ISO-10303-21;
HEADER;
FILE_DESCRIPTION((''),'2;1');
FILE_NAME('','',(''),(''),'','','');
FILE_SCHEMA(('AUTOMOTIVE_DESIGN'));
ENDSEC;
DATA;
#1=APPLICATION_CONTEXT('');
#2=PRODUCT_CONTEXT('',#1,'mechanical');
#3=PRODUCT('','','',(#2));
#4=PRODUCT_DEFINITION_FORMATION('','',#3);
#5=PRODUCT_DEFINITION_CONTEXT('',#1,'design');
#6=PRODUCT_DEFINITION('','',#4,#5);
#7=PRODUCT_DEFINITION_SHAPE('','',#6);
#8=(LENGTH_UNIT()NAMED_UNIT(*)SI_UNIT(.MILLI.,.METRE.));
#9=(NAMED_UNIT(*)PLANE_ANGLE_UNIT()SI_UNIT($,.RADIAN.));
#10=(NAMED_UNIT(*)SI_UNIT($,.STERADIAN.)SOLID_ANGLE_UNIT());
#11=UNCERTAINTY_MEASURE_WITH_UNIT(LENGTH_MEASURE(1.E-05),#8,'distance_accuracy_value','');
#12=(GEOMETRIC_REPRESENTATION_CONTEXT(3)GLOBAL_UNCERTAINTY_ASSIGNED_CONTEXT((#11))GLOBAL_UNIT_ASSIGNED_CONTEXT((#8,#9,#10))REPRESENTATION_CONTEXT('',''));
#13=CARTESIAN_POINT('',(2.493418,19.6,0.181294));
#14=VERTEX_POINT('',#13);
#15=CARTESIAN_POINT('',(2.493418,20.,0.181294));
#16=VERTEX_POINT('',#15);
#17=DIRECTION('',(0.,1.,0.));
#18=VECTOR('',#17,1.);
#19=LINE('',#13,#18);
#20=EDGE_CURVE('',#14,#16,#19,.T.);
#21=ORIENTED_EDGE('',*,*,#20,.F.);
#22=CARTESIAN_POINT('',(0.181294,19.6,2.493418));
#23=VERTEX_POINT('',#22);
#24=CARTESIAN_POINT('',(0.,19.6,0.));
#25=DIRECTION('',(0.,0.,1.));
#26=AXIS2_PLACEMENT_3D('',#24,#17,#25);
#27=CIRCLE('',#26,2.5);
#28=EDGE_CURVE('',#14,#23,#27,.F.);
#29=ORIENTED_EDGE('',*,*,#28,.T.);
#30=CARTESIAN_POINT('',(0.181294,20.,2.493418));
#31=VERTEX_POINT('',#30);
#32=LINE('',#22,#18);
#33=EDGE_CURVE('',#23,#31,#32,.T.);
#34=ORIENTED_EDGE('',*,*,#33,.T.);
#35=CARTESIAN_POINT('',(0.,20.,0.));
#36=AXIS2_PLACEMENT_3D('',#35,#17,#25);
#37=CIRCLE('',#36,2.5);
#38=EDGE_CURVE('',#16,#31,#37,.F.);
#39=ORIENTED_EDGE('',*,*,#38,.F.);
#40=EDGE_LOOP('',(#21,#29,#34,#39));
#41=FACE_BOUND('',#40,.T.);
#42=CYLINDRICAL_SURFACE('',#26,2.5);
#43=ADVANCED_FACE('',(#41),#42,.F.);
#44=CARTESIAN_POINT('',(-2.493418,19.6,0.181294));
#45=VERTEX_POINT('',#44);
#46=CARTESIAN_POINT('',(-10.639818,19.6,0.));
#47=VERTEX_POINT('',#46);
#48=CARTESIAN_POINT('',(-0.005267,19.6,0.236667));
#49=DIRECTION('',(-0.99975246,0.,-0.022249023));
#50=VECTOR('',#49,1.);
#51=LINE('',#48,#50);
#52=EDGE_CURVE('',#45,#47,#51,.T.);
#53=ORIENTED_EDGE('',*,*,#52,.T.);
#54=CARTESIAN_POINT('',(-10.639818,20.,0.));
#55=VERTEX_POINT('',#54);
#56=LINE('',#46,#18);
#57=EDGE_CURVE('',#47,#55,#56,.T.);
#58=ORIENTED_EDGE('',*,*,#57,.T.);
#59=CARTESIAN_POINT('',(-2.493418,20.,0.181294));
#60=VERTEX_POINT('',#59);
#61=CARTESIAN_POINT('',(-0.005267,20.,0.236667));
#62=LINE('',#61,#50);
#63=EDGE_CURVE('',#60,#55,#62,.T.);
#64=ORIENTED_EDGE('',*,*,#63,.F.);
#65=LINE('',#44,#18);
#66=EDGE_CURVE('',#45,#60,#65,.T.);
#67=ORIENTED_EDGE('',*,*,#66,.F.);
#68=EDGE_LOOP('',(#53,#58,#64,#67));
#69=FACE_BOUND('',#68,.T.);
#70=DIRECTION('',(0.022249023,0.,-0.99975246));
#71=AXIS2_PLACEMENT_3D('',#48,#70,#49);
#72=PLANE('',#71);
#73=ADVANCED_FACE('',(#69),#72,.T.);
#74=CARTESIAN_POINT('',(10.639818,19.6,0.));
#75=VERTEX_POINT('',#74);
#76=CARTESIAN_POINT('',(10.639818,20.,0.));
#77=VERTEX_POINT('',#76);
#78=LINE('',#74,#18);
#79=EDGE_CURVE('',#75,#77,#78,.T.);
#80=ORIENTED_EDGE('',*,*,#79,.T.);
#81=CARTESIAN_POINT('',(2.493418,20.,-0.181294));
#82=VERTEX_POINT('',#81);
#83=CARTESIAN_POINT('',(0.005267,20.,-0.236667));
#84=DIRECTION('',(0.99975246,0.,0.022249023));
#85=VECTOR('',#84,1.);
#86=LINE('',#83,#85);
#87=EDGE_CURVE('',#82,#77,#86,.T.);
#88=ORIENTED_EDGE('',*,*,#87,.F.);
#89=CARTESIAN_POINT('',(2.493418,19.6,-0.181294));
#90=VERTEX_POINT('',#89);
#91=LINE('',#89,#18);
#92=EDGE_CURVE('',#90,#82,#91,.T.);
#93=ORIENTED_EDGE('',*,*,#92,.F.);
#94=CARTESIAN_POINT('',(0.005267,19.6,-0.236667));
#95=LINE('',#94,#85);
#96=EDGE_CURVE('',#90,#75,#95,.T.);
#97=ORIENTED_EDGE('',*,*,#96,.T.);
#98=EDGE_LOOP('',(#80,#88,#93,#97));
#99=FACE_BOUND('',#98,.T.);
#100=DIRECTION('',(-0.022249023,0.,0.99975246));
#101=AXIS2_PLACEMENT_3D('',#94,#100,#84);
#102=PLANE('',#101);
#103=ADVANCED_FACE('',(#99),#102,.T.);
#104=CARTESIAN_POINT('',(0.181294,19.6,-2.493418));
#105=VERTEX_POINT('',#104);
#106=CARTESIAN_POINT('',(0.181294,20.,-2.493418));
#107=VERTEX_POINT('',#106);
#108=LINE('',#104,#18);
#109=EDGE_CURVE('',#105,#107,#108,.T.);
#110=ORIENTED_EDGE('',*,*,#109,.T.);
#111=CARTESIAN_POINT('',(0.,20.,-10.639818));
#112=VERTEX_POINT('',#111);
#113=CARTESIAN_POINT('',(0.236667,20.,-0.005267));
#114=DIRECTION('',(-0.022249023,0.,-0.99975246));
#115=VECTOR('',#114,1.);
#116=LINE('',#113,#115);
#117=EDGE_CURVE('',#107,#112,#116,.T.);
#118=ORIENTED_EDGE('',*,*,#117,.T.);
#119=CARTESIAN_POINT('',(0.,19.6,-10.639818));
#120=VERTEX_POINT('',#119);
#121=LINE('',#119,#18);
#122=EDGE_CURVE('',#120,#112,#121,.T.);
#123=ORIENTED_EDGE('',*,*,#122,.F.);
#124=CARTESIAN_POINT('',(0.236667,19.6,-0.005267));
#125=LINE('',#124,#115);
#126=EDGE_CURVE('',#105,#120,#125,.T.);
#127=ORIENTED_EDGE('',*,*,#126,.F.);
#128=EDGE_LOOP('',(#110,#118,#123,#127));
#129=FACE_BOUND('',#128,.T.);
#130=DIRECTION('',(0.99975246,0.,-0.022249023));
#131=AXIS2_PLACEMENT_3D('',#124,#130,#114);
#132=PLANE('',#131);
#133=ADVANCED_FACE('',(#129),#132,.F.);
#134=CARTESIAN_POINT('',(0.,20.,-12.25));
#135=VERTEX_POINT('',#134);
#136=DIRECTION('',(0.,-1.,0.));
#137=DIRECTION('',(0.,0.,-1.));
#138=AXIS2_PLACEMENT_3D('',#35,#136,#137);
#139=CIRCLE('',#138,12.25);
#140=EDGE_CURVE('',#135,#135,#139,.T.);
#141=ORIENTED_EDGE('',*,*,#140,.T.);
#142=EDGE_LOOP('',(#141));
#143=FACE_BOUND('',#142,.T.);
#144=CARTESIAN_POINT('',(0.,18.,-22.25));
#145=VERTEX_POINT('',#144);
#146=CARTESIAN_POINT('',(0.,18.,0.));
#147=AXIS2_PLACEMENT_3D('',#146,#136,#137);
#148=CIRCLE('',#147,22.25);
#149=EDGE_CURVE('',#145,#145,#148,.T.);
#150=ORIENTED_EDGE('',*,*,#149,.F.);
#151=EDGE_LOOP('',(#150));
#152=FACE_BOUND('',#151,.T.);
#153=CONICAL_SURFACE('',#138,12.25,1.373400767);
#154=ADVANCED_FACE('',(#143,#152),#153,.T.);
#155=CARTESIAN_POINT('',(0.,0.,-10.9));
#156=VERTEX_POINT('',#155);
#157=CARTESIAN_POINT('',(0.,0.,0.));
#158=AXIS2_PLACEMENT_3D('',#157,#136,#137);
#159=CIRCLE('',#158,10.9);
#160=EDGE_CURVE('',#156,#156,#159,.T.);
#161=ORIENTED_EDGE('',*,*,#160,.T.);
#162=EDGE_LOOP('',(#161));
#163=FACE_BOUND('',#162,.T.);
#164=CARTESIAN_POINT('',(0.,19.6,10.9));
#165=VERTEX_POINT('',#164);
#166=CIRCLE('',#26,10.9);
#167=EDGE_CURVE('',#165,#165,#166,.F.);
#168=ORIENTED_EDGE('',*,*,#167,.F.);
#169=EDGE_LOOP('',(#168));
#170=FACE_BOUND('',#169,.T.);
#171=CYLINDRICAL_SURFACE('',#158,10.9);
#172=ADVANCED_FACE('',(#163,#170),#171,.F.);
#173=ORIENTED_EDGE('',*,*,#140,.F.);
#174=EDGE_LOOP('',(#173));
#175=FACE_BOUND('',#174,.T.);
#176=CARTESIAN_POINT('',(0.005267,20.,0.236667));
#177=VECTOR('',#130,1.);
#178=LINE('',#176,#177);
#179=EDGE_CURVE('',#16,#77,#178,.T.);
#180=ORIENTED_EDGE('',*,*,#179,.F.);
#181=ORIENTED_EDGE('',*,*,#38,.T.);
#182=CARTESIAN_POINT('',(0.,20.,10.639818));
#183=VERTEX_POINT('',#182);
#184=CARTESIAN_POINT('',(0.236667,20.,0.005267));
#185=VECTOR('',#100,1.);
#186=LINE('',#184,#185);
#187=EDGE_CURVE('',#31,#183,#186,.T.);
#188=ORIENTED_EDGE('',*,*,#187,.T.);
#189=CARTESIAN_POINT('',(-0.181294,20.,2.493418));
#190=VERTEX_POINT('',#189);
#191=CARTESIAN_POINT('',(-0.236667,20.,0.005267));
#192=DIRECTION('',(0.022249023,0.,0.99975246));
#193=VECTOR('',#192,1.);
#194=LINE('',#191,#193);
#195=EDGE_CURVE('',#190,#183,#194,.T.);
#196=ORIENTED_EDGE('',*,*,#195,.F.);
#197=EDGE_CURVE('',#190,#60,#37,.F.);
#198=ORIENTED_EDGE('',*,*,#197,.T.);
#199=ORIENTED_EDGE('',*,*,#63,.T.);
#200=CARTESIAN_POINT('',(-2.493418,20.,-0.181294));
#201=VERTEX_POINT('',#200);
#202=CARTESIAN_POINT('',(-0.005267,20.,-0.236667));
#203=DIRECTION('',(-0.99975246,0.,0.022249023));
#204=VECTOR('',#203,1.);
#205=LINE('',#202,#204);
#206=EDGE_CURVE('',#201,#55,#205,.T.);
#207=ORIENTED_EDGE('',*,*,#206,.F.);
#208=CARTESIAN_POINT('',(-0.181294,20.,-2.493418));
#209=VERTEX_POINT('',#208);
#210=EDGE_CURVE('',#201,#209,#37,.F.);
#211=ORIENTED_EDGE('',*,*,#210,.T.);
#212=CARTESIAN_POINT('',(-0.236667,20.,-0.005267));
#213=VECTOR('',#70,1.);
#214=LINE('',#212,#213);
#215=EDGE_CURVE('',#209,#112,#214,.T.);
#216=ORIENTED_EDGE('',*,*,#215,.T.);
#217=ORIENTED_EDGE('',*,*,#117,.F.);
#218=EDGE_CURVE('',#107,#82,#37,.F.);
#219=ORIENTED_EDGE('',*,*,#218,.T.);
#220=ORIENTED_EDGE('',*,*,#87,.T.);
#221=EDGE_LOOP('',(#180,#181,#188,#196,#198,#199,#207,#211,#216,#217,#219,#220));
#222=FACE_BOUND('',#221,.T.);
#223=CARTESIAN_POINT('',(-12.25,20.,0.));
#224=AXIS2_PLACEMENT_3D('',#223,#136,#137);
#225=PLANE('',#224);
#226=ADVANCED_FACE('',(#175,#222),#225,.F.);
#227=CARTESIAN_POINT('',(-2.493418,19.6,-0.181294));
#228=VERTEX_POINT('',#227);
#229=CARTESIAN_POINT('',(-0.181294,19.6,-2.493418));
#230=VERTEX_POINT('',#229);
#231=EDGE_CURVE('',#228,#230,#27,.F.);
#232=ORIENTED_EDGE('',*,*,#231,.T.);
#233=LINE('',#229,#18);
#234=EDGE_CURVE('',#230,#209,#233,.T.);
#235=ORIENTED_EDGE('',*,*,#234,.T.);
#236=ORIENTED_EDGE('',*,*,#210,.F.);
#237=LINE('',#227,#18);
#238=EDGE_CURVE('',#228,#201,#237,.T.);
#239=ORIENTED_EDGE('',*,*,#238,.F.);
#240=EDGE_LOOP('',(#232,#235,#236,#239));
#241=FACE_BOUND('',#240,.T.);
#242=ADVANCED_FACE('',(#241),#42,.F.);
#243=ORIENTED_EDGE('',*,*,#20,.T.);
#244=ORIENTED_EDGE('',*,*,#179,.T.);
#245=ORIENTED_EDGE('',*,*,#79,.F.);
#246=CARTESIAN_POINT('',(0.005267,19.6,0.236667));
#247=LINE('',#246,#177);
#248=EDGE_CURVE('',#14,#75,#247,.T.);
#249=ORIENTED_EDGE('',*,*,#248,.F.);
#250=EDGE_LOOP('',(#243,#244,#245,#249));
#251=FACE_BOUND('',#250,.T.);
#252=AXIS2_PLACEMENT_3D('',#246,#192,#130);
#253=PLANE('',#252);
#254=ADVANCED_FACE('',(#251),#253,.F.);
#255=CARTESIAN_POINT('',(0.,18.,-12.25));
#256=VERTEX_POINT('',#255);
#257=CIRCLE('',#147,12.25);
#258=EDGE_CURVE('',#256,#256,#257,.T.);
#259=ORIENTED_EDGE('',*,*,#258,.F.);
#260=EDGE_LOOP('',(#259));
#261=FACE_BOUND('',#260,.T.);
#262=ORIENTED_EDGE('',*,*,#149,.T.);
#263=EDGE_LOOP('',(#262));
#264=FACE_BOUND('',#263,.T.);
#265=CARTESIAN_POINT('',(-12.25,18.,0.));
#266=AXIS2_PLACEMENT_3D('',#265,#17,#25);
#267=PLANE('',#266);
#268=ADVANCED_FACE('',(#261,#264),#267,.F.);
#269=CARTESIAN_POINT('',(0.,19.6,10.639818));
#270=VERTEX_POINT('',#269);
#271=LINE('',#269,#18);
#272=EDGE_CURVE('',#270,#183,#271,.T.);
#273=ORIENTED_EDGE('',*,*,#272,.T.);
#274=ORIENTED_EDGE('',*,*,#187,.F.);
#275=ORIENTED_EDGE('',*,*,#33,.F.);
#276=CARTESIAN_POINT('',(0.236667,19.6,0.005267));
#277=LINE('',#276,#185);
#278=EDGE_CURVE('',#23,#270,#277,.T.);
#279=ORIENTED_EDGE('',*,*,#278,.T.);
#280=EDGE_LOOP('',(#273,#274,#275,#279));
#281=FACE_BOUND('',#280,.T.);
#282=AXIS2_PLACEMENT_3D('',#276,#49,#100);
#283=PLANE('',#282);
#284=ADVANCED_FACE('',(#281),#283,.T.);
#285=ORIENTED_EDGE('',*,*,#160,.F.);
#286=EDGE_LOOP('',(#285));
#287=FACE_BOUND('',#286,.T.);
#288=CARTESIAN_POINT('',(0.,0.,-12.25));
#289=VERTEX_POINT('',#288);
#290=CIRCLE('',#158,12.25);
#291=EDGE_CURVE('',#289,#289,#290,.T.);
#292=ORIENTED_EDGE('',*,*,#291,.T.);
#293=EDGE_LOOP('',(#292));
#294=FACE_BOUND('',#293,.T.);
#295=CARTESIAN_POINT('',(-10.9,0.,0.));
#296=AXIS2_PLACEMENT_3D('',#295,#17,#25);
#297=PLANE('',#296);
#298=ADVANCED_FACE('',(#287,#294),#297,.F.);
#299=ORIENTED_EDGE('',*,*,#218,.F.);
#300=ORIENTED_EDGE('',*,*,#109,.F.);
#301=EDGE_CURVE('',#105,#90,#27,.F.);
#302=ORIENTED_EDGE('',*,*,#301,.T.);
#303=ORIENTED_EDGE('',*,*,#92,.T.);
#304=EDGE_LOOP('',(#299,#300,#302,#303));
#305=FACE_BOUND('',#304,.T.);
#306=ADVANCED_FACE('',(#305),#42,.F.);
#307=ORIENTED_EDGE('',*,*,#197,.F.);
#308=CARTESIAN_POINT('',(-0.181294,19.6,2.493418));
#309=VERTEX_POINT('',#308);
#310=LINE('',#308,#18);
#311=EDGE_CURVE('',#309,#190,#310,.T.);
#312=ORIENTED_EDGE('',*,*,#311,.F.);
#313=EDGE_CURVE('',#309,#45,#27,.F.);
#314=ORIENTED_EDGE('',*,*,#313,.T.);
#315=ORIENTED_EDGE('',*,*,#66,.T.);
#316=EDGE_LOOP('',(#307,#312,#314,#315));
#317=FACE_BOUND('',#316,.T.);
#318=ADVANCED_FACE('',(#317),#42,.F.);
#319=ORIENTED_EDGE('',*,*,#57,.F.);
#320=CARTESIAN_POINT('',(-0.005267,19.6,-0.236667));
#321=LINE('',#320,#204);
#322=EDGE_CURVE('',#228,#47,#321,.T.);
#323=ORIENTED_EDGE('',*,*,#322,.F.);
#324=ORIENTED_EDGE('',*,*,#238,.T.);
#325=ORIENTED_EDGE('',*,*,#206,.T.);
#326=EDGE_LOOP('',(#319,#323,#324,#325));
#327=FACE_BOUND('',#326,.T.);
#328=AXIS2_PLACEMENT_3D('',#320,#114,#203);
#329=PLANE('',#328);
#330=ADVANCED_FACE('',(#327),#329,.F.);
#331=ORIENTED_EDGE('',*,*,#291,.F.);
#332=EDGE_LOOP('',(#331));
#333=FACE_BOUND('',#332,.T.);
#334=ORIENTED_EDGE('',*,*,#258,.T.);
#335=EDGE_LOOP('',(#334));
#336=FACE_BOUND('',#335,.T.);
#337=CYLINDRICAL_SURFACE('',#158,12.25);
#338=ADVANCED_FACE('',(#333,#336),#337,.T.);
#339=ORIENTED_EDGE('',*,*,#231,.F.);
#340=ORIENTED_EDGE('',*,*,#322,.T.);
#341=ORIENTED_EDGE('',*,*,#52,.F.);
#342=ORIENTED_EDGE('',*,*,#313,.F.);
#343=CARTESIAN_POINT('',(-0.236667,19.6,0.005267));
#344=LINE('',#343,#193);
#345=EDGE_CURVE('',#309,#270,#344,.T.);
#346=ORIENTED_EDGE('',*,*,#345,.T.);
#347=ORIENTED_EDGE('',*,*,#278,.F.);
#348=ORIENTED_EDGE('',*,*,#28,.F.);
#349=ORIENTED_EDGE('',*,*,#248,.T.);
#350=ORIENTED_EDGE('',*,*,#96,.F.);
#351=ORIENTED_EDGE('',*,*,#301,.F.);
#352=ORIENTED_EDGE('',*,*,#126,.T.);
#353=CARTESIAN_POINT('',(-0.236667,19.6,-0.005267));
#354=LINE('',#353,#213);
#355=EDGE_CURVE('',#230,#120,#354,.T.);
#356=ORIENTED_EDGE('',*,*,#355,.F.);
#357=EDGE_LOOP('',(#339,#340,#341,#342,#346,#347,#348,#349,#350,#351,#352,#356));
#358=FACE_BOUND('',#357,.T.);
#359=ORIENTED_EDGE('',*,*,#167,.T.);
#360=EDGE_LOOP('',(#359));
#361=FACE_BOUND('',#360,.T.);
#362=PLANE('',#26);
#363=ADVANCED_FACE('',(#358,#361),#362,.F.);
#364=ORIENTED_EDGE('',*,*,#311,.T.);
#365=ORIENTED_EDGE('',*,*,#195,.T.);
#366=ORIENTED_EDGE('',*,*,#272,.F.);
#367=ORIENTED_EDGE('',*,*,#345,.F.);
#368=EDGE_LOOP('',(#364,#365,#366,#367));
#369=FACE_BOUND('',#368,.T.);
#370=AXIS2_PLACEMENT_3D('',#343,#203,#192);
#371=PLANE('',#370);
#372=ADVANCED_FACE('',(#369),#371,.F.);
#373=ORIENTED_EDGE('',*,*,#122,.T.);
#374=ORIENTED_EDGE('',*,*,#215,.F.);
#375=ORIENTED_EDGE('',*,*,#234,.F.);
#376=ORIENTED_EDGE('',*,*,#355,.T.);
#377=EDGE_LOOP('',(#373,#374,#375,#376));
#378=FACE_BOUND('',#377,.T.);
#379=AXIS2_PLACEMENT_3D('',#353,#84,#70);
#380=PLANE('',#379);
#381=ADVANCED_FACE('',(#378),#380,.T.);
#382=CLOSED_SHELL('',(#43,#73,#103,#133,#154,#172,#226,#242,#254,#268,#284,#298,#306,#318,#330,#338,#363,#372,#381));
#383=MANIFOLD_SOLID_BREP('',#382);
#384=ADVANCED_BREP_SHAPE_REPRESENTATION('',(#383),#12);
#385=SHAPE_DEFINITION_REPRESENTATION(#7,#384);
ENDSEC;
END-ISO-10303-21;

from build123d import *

# Parameters (mm, degrees)
SALIENTE_EXTRUIR2_DEPTH = 0.4


with BuildPart() as part:
    # Croquis1 → Revolución1 (revolve)
    with BuildSketch(Plane.XY):
        Polygon((-10.9, 20), (-10.9, 0), (-12.25, 0), (-12.25, 18), (-22.25, 18), (-12.25, 20), align=None)
    revolve(axis=Axis((0, 0, 0), (0, 1, 0)))

    # Croquis3 → Saliente-Extruir2 (add)
    with BuildSketch(Plane(origin=(0, 20, 0), x_dir=(1, 0, 0), z_dir=(0, 1, 0))):
        with BuildLine():
            ThreePointArc((10.9, 0), (7.707463915, -7.707463915), (0, -10.9))
            ThreePointArc((0, -10.9), (-7.707463915, -7.707463915), (-10.9, 0))
            ThreePointArc((-10.9, 0), (-7.707463915, 7.707463915), (0, 10.9))
            ThreePointArc((0, 10.9), (7.707463915, 7.707463915), (10.9, 0))
        make_face()
        with BuildLine():
            Line((0.181294315, -2.493417809), (0, -10.639817501))
            Line((0, -10.639817501), (-0.181294315, -2.493417809))
            ThreePointArc((-0.181294315, -2.493417809), (-1.767766953, -1.767766953), (-2.493417809, -0.181294315))
            Line((-2.493417809, -0.181294315), (-10.639817501, 0))
            Line((-10.639817501, 0), (-2.493417809, 0.181294315))
            ThreePointArc((-2.493417809, 0.181294315), (-1.767766953, 1.767766953), (-0.181294315, 2.493417809))
            Line((-0.181294315, 2.493417809), (0, 10.639817501))
            Line((0, 10.639817501), (0.181294315, 2.493417809))
            ThreePointArc((0.181294315, 2.493417809), (1.767766953, 1.767766953), (2.493417809, 0.181294315))
            Line((2.493417809, 0.181294315), (10.639817501, 0))
            Line((10.639817501, 0), (2.493417809, -0.181294315))
            ThreePointArc((2.493417809, -0.181294315), (1.767766953, -1.767766953), (0.181294315, -2.493417809))
        make_face(mode=Mode.SUBTRACT)
    extrude(amount=-SALIENTE_EXTRUIR2_DEPTH)


solid = part.part
